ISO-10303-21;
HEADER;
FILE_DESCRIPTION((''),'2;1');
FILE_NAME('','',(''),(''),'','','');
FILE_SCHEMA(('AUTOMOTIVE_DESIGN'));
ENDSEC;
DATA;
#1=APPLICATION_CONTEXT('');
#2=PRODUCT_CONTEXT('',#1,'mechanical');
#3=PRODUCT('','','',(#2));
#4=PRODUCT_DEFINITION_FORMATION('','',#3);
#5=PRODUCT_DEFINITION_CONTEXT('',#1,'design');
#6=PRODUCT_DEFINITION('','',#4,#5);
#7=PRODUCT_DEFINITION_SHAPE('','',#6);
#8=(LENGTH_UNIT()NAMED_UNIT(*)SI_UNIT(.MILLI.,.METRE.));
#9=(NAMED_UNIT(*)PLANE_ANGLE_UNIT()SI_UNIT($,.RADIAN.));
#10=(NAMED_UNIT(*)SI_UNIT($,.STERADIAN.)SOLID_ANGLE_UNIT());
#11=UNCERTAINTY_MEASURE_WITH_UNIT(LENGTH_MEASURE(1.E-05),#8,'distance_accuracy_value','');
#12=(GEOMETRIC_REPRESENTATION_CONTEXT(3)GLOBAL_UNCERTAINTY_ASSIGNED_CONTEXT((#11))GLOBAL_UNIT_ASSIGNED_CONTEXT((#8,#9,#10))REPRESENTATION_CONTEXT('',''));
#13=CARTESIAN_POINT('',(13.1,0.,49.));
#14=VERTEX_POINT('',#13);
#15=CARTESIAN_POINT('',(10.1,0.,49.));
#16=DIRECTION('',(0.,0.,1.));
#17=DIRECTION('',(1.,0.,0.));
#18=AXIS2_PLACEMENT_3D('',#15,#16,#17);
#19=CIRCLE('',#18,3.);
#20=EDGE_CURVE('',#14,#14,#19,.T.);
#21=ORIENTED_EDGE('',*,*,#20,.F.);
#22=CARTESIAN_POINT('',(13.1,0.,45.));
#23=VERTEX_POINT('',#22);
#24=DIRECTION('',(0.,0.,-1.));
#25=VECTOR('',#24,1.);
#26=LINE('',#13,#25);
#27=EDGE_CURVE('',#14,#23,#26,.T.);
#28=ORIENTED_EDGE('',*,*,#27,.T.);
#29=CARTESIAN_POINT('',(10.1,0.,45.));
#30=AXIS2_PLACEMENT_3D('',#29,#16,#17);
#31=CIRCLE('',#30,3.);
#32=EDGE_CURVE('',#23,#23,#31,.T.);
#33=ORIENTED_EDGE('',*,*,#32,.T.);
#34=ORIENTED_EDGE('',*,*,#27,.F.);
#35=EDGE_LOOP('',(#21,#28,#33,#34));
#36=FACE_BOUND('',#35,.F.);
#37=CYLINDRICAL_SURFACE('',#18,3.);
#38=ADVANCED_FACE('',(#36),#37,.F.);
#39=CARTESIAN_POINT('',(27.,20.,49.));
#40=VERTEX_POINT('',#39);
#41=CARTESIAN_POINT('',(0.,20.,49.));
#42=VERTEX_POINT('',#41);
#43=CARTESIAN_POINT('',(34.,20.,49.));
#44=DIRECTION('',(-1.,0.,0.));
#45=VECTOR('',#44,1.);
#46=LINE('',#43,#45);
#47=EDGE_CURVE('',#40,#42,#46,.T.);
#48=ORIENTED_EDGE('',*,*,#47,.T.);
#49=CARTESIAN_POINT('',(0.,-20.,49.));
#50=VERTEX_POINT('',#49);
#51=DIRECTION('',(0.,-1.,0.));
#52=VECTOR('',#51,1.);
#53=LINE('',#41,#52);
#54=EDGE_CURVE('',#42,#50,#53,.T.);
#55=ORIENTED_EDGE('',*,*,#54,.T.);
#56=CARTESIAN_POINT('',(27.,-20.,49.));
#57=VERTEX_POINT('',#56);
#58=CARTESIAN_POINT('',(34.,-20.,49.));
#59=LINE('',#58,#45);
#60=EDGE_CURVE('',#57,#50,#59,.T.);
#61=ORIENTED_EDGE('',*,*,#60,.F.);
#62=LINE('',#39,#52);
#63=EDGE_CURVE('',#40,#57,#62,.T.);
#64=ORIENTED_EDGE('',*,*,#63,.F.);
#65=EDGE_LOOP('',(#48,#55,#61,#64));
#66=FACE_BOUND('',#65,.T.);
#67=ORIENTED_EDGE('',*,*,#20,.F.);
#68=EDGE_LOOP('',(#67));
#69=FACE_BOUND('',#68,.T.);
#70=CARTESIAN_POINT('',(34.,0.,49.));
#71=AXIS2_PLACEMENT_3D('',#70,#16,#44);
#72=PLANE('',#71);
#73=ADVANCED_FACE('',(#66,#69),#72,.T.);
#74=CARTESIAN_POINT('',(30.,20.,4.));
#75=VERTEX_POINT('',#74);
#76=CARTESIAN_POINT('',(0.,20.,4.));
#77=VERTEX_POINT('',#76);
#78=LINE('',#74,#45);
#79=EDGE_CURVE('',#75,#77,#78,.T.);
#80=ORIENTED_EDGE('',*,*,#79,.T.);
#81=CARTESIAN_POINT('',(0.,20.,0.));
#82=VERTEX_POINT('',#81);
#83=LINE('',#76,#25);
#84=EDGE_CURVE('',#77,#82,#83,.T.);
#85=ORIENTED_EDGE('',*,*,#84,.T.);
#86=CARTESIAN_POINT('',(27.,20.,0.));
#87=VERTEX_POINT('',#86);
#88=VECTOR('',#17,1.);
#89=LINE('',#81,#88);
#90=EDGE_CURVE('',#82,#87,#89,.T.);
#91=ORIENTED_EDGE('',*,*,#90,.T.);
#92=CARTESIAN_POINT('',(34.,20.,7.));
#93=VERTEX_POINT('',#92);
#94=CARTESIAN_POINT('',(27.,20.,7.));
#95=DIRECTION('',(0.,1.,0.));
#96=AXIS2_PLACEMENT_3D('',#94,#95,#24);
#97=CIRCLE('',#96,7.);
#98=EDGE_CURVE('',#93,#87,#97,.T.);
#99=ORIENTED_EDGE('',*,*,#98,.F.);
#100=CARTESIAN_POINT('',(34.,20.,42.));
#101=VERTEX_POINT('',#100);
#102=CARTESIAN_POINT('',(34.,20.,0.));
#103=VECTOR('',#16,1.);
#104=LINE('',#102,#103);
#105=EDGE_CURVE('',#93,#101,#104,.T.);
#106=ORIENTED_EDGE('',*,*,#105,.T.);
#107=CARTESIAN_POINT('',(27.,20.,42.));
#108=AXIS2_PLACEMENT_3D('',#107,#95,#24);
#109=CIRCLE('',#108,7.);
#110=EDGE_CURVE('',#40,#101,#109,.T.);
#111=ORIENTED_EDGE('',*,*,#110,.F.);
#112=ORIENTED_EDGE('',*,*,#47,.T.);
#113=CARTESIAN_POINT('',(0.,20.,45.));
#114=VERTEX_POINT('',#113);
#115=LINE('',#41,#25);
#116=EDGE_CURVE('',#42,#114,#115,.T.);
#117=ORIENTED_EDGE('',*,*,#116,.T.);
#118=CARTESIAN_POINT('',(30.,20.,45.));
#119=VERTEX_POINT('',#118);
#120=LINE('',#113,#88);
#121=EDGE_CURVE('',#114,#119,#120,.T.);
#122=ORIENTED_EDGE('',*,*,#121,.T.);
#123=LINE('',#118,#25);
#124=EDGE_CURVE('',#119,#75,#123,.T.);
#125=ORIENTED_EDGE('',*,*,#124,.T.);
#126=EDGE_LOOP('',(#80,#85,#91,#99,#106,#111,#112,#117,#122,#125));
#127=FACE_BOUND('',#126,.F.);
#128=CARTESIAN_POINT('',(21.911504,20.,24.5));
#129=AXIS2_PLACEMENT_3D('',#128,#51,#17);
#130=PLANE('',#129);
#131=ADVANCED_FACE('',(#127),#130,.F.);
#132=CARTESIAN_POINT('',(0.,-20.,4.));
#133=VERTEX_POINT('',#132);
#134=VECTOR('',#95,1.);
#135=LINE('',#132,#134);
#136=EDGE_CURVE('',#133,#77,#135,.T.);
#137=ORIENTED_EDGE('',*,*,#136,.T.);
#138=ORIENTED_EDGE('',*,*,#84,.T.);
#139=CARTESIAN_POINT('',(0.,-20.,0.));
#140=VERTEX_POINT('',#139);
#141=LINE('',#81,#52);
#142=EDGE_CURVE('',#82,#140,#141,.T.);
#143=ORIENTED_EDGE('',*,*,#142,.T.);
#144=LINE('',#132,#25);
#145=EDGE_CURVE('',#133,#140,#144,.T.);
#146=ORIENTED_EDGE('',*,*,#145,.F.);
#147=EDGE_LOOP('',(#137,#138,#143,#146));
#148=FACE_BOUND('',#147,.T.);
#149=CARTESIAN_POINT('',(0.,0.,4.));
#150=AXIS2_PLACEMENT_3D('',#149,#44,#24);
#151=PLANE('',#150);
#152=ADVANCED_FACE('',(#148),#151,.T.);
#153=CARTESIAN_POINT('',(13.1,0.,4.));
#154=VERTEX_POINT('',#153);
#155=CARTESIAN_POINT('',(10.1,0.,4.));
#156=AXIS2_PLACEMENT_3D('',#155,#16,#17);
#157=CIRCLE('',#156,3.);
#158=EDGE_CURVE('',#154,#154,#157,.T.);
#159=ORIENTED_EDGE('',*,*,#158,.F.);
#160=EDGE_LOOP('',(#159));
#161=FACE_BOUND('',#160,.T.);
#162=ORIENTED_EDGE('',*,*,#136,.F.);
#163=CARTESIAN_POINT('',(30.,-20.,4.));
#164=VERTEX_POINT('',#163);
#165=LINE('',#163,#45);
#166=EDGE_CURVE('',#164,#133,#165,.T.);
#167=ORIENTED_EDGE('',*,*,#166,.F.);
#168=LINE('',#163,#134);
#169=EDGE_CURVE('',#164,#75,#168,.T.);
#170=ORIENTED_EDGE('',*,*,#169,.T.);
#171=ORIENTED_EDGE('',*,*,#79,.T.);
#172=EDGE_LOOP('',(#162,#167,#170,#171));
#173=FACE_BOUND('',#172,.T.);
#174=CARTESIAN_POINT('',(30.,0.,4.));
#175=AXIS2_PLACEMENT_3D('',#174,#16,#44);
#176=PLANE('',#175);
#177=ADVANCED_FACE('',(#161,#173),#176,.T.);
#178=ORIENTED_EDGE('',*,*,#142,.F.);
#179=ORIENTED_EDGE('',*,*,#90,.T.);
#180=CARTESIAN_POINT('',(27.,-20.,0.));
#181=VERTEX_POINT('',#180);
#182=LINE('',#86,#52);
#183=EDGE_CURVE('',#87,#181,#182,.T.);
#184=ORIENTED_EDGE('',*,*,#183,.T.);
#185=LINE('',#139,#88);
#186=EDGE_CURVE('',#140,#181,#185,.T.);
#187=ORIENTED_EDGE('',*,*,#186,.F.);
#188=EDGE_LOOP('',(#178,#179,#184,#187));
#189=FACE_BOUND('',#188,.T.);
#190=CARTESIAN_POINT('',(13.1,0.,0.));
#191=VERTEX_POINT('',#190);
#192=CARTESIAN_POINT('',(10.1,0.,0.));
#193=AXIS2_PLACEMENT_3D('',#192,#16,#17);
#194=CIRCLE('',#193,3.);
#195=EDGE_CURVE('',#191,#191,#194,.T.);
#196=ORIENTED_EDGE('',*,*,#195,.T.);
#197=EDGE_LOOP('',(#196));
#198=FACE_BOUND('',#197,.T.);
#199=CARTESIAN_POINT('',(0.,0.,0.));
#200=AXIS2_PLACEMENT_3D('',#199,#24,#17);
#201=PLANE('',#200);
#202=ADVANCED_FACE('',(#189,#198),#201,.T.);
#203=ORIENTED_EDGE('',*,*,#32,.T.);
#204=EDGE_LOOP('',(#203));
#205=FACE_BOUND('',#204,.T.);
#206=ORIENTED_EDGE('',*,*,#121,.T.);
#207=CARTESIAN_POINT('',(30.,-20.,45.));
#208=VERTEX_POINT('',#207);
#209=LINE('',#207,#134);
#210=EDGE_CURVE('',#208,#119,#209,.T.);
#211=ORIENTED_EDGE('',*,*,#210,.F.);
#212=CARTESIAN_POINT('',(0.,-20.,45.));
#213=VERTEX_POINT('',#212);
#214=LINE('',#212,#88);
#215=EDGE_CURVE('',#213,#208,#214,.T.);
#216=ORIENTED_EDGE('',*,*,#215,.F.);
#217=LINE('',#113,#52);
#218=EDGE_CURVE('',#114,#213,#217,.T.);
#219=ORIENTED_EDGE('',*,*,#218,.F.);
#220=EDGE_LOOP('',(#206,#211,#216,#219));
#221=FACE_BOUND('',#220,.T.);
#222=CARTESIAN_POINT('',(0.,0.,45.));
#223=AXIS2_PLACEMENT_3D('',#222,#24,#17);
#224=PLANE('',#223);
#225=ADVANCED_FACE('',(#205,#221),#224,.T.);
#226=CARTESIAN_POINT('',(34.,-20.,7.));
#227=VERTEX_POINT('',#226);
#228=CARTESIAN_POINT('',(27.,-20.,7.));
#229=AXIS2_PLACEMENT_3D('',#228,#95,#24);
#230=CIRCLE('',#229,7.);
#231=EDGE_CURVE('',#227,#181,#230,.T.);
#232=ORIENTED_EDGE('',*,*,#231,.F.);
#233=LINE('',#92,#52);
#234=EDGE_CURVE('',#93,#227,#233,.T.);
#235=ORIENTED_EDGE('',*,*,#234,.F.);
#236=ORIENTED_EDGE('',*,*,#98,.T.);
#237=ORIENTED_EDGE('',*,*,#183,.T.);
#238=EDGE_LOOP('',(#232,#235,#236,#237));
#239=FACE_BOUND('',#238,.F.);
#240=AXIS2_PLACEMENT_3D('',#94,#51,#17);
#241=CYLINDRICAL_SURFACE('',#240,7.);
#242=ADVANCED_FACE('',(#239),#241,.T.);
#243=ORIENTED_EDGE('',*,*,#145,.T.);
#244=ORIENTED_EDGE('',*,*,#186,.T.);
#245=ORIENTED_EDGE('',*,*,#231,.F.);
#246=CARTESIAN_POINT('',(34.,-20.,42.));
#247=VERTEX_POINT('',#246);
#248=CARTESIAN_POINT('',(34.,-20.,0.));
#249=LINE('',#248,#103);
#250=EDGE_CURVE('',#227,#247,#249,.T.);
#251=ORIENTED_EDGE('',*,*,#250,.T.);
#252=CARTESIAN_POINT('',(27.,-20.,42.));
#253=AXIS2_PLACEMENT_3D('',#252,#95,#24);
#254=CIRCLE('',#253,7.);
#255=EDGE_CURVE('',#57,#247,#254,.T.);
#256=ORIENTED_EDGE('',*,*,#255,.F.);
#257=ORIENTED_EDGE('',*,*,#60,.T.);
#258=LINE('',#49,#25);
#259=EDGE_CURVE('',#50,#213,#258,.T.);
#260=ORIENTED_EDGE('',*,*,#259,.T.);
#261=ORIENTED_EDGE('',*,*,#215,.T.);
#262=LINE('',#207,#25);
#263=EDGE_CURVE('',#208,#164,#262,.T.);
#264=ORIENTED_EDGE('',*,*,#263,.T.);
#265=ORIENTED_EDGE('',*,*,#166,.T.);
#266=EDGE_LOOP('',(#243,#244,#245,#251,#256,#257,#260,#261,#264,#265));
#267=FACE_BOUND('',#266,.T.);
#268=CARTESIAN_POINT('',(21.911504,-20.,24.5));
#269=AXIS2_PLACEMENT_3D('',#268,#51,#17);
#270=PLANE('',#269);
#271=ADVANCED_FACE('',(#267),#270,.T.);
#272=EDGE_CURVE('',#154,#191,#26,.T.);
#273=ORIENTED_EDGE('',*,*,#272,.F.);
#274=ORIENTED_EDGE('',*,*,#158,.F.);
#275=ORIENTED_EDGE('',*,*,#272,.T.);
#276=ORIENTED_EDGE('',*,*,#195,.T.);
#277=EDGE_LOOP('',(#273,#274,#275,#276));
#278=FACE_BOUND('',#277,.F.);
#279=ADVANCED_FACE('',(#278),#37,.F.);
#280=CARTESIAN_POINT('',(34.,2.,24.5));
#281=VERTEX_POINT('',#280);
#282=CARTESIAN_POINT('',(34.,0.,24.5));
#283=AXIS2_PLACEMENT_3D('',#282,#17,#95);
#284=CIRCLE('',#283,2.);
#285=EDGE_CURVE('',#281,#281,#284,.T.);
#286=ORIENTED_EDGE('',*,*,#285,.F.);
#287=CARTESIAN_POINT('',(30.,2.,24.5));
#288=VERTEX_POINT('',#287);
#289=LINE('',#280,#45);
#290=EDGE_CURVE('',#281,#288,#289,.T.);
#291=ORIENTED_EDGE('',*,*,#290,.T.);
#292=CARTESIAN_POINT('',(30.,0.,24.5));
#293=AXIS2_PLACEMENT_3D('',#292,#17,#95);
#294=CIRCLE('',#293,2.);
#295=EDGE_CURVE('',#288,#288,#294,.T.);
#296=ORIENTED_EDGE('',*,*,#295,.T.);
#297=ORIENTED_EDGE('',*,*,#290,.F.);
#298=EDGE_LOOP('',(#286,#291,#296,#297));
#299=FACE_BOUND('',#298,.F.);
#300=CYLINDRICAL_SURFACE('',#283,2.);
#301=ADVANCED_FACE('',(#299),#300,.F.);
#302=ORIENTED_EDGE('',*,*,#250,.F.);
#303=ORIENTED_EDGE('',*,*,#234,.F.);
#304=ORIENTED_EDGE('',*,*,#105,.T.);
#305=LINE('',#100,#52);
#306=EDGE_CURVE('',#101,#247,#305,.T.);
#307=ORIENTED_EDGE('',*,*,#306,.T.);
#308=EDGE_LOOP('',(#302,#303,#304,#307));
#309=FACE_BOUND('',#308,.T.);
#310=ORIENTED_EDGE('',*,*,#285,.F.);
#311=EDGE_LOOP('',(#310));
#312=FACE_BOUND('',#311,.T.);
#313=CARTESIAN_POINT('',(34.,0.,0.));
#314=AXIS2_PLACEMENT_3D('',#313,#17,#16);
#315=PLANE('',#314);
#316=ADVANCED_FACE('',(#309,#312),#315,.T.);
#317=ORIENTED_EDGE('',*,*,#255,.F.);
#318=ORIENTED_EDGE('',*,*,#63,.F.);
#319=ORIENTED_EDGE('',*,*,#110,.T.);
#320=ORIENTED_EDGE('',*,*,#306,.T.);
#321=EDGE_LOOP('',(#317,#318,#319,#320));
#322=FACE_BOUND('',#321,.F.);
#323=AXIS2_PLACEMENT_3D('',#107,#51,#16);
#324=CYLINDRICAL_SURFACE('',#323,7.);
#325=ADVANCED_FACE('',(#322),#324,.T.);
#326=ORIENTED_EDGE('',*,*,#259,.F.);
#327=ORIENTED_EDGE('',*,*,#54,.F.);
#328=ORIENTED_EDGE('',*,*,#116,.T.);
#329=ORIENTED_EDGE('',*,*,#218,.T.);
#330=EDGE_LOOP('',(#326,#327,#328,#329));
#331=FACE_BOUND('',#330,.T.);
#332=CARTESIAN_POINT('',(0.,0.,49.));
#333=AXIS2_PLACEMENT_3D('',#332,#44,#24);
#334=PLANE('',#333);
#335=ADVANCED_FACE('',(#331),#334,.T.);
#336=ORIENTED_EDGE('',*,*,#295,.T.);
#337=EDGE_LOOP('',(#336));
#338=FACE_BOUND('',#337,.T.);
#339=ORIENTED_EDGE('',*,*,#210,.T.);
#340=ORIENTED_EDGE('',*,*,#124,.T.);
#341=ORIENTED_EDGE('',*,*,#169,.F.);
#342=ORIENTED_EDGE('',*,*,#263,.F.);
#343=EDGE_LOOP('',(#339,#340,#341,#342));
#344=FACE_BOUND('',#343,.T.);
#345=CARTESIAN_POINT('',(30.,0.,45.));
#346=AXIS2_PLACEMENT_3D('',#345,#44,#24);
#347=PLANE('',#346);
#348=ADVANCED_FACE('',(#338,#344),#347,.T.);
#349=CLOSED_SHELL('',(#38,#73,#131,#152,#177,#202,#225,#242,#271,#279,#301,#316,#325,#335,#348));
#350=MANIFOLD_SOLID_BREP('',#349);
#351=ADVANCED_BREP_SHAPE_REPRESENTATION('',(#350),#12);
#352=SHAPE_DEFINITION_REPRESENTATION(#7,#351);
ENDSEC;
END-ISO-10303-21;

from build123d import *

# Parameters (mm, degrees)
F1_DEPTH      = 20
F1_DEPTH_BACK = 20
F2_R          = 7
F3_R          = 2
F4_DEPTH      = 25
F5_R          = 3
F6_DEPTH      = 53


with BuildPart() as f1:
    # F0 (on Front) → F1 (new body, two sides)
    with BuildSketch(Plane.XZ) as f1_sk:
        Polygon((0, 4), (0, 0), (34, 0), (34, 49), (0, 49), (0, 45), (30, 45), (30, 4), align=None)
    extrude(amount=F1_DEPTH)
    extrude(f1_sk.sketch, amount=-F1_DEPTH_BACK)

    # F2
    f2_edges = [f1.edges().sort_by_distance(p)[0] for p in [
        (34, 0, 49),
        (34, 0, 0),
    ]]
    fillet(f2_edges, radius=F2_R)

    # F3 (on face) → F4 (cut)
    with BuildSketch(Plane.YZ.offset(34)):
        with Locations((0, 24.5)):
            Circle(F3_R)
    extrude(amount=-F4_DEPTH, mode=Mode.SUBTRACT)

    # F5 (on face) → F6 (cut)
    with BuildSketch(Plane.XY.offset(49)):
        with Locations((10.1, 0)):
            Circle(F5_R)
    extrude(amount=-F6_DEPTH, mode=Mode.SUBTRACT)


solid = f1.part
